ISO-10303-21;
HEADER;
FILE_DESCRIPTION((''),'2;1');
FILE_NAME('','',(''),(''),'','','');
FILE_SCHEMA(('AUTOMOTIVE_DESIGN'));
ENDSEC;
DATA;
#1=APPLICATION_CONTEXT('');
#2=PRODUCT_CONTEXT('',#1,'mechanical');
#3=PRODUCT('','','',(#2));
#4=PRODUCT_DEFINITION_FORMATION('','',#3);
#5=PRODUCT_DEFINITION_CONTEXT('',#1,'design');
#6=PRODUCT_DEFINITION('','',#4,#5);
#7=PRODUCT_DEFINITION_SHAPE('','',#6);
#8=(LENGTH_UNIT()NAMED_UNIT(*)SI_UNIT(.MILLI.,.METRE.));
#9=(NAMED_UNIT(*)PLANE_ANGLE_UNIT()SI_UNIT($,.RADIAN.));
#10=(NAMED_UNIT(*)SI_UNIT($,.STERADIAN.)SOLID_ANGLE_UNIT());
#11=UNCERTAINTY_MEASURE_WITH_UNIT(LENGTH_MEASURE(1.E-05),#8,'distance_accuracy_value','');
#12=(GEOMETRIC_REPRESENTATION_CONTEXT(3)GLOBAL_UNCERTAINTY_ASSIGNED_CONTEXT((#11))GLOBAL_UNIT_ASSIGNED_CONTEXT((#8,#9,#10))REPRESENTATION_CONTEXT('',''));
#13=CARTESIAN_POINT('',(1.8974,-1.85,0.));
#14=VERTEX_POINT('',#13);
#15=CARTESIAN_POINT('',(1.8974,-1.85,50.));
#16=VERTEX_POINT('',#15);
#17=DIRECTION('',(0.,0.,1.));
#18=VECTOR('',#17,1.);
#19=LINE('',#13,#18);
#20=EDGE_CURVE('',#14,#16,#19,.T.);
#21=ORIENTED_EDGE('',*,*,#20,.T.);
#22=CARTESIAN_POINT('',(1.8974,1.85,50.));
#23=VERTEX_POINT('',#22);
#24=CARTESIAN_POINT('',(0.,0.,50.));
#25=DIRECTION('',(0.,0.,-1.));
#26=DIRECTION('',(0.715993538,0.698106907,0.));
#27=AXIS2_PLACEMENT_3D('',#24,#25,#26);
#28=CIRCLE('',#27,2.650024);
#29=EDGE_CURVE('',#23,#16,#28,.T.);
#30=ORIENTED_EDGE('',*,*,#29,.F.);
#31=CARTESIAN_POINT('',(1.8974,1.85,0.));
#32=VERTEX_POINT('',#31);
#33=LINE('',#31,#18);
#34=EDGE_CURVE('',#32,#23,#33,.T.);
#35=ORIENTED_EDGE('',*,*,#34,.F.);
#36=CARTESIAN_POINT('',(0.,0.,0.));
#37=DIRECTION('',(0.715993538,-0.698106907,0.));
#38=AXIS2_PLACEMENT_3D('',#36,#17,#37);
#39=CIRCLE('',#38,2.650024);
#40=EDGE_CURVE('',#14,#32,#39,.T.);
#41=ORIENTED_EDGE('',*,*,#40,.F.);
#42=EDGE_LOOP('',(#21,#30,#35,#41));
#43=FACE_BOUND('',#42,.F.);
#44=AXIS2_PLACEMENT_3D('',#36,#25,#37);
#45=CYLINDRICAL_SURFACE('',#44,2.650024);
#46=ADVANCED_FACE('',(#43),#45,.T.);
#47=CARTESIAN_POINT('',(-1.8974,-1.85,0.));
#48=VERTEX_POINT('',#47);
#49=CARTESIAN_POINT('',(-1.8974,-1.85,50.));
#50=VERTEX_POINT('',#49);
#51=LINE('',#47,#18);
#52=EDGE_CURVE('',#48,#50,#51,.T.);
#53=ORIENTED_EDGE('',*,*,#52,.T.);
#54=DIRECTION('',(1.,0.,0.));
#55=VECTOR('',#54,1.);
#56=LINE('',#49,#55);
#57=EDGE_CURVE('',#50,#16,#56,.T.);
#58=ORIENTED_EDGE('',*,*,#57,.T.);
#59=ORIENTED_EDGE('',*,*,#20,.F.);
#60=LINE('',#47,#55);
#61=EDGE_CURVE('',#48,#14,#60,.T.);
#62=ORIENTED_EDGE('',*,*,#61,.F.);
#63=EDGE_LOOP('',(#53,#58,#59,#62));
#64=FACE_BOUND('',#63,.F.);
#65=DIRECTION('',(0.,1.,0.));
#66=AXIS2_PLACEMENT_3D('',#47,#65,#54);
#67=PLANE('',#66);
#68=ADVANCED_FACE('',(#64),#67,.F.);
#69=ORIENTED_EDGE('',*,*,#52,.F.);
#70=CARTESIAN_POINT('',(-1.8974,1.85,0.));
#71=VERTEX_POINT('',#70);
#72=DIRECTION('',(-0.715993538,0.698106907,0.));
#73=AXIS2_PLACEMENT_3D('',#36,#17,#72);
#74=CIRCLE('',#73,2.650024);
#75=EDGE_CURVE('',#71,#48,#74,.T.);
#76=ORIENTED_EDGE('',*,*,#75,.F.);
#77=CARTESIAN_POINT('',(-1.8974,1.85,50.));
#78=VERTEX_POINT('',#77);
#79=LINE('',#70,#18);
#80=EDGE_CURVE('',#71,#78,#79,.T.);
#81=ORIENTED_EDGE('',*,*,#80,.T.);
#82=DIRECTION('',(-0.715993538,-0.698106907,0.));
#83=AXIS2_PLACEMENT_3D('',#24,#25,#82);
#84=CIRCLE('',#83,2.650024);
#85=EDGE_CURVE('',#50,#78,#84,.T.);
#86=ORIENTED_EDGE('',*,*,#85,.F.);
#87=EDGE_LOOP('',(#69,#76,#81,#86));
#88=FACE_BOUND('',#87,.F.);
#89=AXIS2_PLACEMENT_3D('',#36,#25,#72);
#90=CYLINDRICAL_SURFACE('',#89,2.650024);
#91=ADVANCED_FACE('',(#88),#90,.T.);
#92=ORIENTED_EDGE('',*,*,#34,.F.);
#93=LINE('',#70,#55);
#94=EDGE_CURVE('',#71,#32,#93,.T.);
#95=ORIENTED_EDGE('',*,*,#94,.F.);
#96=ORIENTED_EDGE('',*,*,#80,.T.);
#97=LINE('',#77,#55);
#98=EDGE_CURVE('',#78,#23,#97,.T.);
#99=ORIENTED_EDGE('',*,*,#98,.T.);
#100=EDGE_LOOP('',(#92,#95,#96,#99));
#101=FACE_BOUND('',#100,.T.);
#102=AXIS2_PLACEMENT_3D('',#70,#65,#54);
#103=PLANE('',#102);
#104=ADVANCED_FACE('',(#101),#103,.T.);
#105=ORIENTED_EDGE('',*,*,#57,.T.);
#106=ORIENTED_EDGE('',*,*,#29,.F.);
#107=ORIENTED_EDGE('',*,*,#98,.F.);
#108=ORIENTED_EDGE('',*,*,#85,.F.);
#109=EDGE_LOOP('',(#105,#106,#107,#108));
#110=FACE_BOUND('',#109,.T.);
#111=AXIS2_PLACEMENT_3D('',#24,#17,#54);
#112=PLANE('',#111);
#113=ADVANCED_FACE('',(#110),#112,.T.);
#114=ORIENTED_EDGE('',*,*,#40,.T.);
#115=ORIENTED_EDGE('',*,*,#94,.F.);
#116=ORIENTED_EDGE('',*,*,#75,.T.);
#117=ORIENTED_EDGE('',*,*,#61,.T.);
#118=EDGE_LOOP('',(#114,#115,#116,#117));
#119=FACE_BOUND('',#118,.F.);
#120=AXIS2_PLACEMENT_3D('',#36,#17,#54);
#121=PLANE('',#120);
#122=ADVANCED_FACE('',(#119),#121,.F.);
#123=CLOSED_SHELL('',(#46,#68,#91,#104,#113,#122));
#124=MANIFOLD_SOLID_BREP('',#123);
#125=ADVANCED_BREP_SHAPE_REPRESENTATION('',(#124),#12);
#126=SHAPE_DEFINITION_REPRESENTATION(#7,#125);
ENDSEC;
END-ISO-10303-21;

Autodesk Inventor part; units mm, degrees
ref_plane "YZ Plane" through (0, 0, 0) normal (1, 0, 0) x (0, 1, 0)
ref_plane "XZ Plane" through (0, 0, 0) normal (0, 1, 0) x (-1, 0, 0)
ref_plane "XY Plane" through (0, 0, 0) normal (0, 0, 1) x (1, 0, 0)
sketch "Sketch1" plane through (0, 0, 0) normal (0, 0, 1) x (1, 0, 0)
  line L0 (-1.8974, 1.85) -> (1.8974, 1.85)
  line L1 (-3.5377, 0) -> (4.2657, 0)
  line L2 (-1.8974, -1.85) -> (1.8974, -1.85)
  arc A0 (-1.8974, 1.85) -> (-1.8974, -1.85) centre (0, 0) ccw
  arc A1 (1.8974, -1.85) -> (1.8974, 1.85) centre (0, 0) ccw
  dimension "d3" = 3.7
  dimension "d6" = 2.65
  dimension "d7" = 2.65
extrude "Extrusion1" add sketch "Sketch1" along normal blind 50
